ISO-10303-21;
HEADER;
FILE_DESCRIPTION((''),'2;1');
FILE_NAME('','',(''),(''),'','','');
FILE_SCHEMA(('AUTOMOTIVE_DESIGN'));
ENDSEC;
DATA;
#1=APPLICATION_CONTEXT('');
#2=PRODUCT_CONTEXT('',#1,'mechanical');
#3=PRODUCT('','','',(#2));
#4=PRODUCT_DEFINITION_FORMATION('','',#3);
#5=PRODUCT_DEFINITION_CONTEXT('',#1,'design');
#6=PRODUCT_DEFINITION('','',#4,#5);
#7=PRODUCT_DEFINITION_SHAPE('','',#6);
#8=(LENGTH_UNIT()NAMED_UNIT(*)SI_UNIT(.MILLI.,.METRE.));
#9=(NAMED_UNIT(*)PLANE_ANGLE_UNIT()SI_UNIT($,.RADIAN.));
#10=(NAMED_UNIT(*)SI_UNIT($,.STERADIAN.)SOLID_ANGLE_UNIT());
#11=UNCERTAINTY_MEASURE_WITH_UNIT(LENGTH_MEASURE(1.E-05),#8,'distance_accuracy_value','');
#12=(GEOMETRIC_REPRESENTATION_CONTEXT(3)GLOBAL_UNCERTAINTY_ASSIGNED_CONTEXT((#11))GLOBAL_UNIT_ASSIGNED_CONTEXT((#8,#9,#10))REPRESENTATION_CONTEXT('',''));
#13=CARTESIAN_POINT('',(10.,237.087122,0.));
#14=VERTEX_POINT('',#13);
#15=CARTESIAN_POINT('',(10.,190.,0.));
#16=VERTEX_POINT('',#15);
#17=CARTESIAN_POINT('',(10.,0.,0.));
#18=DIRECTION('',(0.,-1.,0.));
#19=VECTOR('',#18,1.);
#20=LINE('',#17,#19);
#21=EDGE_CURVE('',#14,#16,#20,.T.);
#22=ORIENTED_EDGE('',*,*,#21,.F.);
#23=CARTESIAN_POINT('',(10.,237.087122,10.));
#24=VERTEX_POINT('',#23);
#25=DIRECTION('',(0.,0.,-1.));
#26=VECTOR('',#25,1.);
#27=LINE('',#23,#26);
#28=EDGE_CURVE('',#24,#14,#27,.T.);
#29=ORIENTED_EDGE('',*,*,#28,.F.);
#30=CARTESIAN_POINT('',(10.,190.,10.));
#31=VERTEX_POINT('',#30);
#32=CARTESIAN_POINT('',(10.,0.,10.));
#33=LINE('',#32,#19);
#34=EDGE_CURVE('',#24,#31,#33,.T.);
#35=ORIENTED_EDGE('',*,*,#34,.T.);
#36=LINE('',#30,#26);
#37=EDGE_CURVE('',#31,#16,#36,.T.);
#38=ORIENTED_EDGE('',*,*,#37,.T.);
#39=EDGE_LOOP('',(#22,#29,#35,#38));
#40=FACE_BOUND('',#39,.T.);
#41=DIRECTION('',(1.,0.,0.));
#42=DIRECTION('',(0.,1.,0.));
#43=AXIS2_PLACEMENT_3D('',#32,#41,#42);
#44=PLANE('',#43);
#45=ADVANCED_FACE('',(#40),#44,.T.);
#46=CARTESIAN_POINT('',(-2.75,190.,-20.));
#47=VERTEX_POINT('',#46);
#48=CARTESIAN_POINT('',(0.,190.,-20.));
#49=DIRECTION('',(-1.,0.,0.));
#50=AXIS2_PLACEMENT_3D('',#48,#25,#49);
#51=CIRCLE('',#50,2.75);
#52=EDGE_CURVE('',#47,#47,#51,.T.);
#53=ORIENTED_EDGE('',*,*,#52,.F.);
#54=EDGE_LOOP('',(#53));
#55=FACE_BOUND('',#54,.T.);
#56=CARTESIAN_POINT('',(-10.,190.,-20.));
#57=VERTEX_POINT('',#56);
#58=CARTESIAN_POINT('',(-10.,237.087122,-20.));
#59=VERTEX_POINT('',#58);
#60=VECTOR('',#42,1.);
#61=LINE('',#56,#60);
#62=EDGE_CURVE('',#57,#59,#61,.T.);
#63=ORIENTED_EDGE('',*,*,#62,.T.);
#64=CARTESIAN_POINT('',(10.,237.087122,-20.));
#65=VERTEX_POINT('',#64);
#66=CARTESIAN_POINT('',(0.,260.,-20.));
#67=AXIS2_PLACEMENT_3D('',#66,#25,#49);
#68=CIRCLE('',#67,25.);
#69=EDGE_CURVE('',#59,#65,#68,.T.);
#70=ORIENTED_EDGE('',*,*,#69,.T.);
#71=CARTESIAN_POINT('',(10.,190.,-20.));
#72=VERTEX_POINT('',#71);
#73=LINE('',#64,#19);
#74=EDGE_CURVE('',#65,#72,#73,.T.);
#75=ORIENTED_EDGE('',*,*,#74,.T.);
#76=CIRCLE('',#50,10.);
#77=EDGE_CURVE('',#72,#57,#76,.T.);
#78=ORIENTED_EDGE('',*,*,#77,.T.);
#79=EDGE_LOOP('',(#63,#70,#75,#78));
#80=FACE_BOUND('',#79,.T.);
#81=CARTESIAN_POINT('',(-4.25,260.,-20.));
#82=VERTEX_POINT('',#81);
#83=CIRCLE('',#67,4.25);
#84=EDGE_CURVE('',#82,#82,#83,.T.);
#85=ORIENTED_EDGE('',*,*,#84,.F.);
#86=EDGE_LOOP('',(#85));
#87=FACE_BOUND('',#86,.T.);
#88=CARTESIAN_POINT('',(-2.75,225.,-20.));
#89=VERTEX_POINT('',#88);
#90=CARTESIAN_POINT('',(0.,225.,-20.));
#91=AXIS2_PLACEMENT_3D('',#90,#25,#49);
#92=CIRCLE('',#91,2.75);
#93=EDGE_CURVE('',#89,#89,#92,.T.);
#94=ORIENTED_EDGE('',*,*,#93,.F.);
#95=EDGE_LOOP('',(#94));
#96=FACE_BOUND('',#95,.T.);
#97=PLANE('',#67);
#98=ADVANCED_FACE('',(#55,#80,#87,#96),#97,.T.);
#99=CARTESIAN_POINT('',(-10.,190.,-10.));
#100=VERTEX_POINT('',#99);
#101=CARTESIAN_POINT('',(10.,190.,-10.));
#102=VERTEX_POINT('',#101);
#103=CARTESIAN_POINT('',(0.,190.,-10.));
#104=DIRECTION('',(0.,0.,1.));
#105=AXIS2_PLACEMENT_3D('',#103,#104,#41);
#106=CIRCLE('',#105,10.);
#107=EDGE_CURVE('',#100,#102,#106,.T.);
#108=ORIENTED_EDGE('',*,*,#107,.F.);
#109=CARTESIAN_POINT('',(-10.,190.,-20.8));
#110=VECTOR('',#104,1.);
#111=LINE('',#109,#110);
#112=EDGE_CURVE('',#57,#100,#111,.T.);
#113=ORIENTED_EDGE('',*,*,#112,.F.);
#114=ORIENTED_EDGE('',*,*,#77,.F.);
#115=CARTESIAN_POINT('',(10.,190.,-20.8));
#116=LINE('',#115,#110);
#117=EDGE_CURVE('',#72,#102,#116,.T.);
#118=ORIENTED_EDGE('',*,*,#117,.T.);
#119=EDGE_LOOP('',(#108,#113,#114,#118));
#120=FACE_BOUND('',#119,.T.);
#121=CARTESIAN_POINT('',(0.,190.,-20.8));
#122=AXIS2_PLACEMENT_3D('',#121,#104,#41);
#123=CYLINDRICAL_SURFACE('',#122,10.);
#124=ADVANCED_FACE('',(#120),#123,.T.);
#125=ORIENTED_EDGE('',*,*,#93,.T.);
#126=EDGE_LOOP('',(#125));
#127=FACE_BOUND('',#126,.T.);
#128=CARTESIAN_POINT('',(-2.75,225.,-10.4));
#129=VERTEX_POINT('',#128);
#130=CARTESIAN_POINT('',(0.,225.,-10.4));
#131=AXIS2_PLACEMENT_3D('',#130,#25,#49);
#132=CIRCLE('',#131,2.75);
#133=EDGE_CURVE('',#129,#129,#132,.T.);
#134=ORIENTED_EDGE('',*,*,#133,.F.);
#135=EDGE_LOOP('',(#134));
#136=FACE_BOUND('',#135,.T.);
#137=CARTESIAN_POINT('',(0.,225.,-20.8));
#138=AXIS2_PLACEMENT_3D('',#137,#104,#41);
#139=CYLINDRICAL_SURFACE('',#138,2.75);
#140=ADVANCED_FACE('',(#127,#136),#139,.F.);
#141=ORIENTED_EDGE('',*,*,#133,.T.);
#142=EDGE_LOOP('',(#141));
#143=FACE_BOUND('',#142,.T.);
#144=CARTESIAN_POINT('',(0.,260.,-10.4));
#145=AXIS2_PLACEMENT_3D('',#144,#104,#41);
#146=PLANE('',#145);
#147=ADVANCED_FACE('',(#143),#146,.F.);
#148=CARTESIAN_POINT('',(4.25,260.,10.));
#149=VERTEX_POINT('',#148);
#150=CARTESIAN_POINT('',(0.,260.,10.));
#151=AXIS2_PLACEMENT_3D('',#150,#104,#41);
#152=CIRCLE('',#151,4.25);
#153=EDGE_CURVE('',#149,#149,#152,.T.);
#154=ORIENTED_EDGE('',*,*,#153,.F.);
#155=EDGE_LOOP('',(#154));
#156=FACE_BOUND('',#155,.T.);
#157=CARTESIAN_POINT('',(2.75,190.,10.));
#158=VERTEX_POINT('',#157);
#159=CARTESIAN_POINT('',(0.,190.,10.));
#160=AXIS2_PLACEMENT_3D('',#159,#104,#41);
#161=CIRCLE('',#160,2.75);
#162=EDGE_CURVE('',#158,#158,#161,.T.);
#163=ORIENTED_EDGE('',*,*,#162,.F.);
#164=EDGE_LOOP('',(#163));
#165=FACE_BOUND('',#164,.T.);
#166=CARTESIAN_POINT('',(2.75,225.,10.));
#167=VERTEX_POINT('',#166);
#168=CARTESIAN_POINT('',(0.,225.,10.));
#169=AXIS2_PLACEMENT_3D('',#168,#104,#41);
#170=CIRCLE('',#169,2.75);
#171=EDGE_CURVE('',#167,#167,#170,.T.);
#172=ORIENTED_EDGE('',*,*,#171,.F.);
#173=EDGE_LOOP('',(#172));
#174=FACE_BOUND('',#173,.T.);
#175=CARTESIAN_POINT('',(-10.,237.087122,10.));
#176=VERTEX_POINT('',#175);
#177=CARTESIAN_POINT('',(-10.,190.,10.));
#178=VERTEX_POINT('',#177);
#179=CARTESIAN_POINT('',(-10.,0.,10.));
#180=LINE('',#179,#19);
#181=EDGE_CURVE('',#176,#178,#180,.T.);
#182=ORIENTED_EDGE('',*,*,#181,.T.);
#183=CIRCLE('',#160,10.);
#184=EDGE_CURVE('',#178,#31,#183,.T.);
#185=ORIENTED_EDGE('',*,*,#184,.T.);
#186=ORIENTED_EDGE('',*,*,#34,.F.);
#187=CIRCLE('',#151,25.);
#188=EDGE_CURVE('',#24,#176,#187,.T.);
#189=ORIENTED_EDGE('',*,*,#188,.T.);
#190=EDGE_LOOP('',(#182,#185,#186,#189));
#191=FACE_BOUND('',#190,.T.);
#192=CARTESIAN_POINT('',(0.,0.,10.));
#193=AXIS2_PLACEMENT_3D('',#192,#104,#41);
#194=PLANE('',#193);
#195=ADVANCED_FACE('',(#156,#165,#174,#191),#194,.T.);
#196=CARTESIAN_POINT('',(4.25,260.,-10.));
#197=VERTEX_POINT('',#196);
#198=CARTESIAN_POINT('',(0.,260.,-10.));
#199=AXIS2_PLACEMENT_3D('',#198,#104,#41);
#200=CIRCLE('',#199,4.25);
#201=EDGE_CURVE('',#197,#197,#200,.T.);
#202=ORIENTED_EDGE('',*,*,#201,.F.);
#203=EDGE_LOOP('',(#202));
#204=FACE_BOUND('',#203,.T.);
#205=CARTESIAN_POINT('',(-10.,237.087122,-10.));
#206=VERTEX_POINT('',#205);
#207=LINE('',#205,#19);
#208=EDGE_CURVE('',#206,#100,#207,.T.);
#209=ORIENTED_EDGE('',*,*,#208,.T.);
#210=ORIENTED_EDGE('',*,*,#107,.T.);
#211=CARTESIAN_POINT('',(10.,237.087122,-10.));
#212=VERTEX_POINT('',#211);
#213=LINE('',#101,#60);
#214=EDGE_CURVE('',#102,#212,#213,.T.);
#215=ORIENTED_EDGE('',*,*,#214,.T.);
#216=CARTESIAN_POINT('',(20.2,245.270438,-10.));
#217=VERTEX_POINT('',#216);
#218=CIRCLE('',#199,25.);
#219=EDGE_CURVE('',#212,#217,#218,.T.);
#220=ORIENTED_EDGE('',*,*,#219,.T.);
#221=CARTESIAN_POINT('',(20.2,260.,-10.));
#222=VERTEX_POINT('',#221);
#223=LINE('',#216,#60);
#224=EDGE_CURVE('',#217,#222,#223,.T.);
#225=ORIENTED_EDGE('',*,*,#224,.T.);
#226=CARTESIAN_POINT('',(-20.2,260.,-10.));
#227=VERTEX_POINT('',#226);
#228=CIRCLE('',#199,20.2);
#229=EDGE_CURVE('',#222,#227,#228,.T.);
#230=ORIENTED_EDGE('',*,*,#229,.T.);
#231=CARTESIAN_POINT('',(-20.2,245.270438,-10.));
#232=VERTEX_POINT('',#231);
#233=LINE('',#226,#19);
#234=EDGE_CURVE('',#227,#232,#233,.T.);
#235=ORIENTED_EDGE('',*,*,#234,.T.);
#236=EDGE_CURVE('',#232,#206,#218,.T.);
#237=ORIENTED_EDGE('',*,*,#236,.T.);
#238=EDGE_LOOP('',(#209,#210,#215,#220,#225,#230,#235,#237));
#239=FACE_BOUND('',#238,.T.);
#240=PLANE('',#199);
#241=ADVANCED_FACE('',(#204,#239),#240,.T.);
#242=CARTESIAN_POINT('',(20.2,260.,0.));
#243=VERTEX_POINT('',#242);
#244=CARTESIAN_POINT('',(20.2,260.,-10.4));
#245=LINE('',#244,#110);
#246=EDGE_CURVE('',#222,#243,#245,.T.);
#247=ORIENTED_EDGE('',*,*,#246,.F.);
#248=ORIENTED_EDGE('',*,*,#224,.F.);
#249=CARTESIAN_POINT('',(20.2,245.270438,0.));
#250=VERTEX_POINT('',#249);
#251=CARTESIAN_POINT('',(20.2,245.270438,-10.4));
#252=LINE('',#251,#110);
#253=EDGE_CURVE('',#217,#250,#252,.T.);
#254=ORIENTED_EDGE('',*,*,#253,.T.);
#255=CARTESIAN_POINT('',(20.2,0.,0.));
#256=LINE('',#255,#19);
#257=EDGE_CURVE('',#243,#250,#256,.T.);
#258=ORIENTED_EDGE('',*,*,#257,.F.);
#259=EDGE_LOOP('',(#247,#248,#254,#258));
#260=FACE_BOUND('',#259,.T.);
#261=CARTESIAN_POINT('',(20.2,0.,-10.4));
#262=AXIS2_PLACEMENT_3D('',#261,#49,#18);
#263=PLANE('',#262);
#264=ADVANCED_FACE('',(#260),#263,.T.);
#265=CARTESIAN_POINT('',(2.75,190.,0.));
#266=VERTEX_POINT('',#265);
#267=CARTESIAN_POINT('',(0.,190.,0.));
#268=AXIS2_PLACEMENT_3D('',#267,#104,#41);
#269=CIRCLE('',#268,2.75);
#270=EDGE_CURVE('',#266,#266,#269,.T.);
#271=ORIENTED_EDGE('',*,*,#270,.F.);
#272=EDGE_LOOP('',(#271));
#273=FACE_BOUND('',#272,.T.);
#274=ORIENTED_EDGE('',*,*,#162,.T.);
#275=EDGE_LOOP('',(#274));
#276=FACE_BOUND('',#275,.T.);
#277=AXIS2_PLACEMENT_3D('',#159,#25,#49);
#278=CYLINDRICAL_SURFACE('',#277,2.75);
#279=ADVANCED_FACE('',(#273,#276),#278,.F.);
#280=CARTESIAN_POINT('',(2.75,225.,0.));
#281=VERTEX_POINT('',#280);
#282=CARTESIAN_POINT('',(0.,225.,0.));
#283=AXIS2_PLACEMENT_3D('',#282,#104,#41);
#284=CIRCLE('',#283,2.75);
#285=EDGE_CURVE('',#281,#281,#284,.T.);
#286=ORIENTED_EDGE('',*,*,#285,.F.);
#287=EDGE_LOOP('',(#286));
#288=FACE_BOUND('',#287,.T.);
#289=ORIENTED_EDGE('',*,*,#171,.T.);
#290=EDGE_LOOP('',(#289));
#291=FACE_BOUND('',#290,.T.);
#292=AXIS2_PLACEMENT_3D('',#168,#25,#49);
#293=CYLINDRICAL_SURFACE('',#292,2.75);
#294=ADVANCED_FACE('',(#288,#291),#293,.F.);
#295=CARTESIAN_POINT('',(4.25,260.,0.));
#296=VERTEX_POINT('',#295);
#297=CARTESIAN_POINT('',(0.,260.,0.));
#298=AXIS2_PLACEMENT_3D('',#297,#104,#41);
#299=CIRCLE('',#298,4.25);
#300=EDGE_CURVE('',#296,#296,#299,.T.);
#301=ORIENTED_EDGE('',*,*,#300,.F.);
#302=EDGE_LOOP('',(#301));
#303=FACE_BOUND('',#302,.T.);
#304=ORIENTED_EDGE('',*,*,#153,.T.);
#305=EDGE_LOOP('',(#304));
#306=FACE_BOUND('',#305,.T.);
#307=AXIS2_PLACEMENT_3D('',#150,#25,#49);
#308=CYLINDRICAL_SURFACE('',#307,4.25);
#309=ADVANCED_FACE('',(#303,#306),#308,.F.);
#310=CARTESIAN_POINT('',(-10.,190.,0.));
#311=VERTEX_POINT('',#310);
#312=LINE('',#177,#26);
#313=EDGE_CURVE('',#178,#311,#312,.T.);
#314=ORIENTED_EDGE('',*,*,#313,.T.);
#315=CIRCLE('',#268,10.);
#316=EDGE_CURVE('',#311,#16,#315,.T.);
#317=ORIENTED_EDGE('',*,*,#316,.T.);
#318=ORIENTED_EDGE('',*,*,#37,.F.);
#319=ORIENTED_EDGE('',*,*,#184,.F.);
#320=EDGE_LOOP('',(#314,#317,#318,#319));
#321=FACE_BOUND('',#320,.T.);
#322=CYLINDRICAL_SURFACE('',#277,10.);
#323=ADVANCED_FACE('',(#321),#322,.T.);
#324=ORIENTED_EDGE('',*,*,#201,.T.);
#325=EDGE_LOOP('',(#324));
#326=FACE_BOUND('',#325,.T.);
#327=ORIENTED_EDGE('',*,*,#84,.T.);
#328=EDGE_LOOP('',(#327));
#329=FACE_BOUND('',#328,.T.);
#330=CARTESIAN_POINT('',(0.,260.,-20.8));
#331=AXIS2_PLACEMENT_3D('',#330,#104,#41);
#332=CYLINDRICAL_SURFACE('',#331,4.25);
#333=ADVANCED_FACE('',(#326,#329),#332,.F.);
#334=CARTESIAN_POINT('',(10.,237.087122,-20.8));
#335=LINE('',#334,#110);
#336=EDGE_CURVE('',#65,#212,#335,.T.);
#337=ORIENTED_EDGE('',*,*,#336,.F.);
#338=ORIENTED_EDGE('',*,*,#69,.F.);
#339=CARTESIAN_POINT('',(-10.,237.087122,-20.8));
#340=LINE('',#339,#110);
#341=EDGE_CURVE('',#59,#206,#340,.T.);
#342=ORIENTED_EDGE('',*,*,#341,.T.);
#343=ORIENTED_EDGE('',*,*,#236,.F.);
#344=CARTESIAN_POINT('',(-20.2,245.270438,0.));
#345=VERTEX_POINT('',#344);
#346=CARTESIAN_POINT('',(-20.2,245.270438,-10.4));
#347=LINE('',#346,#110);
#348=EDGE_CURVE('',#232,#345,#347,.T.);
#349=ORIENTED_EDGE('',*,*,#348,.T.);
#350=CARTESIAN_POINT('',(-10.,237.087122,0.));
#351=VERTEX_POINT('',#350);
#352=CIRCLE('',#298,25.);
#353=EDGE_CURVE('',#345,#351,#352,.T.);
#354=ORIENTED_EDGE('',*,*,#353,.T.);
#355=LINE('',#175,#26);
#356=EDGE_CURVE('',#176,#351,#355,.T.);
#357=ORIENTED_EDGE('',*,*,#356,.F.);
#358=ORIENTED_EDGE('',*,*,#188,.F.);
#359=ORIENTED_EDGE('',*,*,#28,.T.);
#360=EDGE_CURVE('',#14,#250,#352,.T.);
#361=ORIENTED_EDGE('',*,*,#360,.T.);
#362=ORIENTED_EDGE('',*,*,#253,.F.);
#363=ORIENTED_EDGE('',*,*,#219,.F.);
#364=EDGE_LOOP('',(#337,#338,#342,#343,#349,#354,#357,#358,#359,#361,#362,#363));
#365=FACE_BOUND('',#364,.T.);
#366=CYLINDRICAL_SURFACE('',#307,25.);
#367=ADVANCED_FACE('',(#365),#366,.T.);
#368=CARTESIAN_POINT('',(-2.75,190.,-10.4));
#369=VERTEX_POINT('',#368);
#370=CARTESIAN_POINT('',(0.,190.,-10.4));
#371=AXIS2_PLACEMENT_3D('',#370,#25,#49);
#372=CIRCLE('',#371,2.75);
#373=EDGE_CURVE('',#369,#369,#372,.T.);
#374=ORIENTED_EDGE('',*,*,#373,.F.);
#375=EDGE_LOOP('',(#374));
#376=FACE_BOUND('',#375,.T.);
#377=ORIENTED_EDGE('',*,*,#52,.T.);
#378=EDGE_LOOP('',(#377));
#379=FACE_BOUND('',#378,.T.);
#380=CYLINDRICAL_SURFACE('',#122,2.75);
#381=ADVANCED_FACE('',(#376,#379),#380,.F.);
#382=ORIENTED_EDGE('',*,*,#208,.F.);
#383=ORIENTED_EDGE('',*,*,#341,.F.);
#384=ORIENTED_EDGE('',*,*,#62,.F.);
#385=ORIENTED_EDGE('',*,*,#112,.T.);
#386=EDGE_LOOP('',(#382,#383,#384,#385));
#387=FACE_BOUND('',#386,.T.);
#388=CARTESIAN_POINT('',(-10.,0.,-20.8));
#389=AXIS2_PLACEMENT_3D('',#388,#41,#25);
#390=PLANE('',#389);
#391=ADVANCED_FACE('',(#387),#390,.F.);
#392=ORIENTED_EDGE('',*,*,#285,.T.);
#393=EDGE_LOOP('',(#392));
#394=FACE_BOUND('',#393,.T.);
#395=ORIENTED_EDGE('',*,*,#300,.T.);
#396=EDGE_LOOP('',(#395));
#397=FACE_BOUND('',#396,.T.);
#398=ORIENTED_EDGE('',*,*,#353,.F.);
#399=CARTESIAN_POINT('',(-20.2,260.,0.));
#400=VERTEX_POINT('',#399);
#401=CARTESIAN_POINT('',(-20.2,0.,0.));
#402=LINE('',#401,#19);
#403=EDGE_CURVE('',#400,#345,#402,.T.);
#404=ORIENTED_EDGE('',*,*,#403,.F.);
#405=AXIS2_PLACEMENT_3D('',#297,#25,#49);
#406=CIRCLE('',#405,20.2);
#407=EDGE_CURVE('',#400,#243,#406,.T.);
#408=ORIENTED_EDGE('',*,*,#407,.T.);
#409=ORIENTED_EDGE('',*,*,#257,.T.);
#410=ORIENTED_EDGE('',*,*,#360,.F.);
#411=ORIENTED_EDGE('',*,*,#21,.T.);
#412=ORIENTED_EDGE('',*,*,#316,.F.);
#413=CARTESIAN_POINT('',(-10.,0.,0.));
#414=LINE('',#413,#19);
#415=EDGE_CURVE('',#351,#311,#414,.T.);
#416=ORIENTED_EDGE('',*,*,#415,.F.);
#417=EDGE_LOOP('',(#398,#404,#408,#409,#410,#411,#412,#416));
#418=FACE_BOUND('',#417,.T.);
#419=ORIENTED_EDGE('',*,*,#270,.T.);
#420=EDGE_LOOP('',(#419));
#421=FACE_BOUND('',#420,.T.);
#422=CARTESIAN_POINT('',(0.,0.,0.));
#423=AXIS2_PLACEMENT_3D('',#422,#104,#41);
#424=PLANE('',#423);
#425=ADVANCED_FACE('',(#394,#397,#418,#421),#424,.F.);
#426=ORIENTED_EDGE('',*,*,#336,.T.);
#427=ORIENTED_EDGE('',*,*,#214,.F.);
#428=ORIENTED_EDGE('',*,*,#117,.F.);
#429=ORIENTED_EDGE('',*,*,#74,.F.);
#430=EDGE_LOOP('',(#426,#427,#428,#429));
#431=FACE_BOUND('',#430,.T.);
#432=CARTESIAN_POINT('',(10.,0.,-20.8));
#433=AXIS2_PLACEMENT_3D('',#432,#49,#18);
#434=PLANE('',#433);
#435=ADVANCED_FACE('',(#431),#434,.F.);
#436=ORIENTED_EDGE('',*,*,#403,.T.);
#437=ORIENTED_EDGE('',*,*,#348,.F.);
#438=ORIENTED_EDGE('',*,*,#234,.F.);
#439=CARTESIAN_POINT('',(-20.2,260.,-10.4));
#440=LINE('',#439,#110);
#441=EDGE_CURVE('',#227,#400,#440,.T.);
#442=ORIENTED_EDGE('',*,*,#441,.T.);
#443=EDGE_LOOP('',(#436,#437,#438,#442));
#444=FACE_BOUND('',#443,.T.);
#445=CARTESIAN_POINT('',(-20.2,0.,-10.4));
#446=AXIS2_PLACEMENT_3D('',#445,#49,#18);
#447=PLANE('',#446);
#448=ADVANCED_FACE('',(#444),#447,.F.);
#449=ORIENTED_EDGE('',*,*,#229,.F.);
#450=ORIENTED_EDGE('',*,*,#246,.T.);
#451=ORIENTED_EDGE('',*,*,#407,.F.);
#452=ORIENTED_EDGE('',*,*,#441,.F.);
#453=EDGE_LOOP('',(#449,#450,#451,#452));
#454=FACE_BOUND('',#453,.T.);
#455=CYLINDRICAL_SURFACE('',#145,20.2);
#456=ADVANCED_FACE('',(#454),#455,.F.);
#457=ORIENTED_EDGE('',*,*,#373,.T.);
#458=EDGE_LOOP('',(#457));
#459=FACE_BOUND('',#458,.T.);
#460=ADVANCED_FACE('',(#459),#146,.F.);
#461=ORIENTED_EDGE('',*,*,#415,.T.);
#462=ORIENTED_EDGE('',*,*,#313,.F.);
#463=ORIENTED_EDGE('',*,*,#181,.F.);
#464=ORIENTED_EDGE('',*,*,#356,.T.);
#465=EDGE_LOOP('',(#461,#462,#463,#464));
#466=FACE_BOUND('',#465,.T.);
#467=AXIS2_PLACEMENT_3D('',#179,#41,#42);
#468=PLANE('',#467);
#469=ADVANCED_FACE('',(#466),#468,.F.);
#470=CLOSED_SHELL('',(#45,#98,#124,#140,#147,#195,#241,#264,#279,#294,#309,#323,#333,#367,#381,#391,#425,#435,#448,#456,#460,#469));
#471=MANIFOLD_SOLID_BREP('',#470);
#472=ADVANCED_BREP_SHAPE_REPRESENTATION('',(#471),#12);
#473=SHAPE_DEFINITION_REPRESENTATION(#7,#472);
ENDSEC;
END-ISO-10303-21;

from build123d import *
from build123d.topology import SkipClean

# Parameters (mm, degrees)
SKETCH2_R           = 4.25
SKETCH2_R_2         = 2.75
BOSS_EXTRUDE1_DEPTH = 10
BOSS_EXTRUDE2_START = 10.4
BOSS_EXTRUDE2_DEPTH = 10.4
BOSS_EXTRUDE3_START = 10.4
SKETCH4_R           = 2.75
SKETCH4_R_2         = 4.25
BOSS_EXTRUDE3_DEPTH = 10.4
SKETCH5_R           = 4.25
BOSS_EXTRUDE4_DEPTH = 0.4
CUT_EXTRUDE2_DEPTH  = 0.4
CUT_EXTRUDE3_DEPTH  = 0.4


with BuildPart() as part:
    # Sketch2 → Boss-Extrude1 (new body)
    with BuildSketch(Plane.XY):
        with BuildLine():
            Line((-10, 237.087121525), (-10, 190))
            ThreePointArc((-10, 190), (0, 180), (10, 190))
            Line((10, 190), (10, 237.087121525))
            ThreePointArc((10, 237.087121525), (0, 285), (-10, 237.087121525))
        make_face()
        with Locations((0, 260)):
            Circle(SKETCH2_R, mode=Mode.SUBTRACT)
        with Locations((0, 225)):
            Circle(SKETCH2_R_2, mode=Mode.SUBTRACT)
        with Locations((0, 190)):
            Circle(SKETCH2_R_2, mode=Mode.SUBTRACT)
    extrude(amount=BOSS_EXTRUDE1_DEPTH)

    # Sketch3 → Boss-Extrude2 (add)
    with BuildSketch(Plane(origin=(0, 0, 0), x_dir=(-1, 0, 0), z_dir=(0, 0, -1)).offset(BOSS_EXTRUDE2_START)):
        with BuildLine():
            Line((-20.2, 245.270437888), (-20.2, 260))
            ThreePointArc((-20.2, 260), (0, 280.2), (20.2, 260))
            Line((20.2, 260), (20.2, 245.270437888))
            ThreePointArc((20.2, 245.270437888), (23.769728648, 252.254033308), (25, 260))
            ThreePointArc((25, 260), (-7.745966692, 283.769728648), (-20.2, 245.270437888))
        make_face()
    extrude(amount=-BOSS_EXTRUDE2_DEPTH)

    # Sketch4 → Boss-Extrude3 (add)
    with BuildSketch(Plane(origin=(0, 0, -10.4), x_dir=(-1, 0, 0), z_dir=(0, 0, -1)).offset(BOSS_EXTRUDE3_START)):
        with BuildLine():
            Line((-10, 237.087121525), (-10, 190))
            ThreePointArc((-10, 190), (0, 180), (10, 190))
            Line((10, 190), (10, 237.087121525))
            ThreePointArc((10, 237.087121525), (0, 285), (-10, 237.087121525))
        make_face()
        with Locations((0, 190)):
            Circle(SKETCH4_R, mode=Mode.SUBTRACT)
        with Locations((0, 225)):
            Circle(SKETCH4_R, mode=Mode.SUBTRACT)
        with Locations((0, 260)):
            Circle(SKETCH4_R_2, mode=Mode.SUBTRACT)
    extrude(amount=-BOSS_EXTRUDE3_DEPTH)

    # Sketch5 → Boss-Extrude4 (add)
    with SkipClean():  # the faces are left unmerged after this step: merging them gives an invalid solid
        with BuildSketch(Plane.XY.offset(-10.4)):
            with BuildLine():
                Line((-20.2, 260), (-20.2, 245.270437888))
                ThreePointArc((-20.2, 245.270437888), (-15.644541114, 240.500042735), (-10, 237.087121525))
                Line((-10, 237.087121525), (-10, 190))
                ThreePointArc((-10, 190), (0, 180), (10, 190))
                Line((10, 190), (10, 237.087121525))
                ThreePointArc((10, 237.087121525), (15.644541114, 240.500042735), (20.2, 245.270437888))
                Line((20.2, 245.270437888), (20.2, 260))
                ThreePointArc((20.2, 260), (0, 280.2), (-20.2, 260))
            make_face()
            with Locations((0, 260)):
                Circle(SKETCH5_R, mode=Mode.SUBTRACT)
        extrude(amount=BOSS_EXTRUDE4_DEPTH)
    add(part.part.scale(1), mode=Mode.REPLACE)  # the faces are merged on a copy

    # Sketch7 → Cut-Extrude2 (cut)
    with BuildSketch(Plane(origin=(0, 0, -20.8), x_dir=(-1, 0, 0), z_dir=(0, 0, -1))):
        with BuildLine():
            Line((-10, 237.087121525), (-10, 190))
            ThreePointArc((-10, 190), (0, 180), (10, 190))
            Line((10, 190), (10, 237.087121525))
            ThreePointArc((10, 237.087121525), (0, 285), (-10, 237.087121525))
        make_face()
    extrude(amount=-CUT_EXTRUDE2_DEPTH, mode=Mode.SUBTRACT)

    # Sketch8 → Cut-Extrude3 (cut)
    with BuildSketch(Plane(origin=(0, 0, -20.4), x_dir=(-1, 0, 0), z_dir=(0, 0, -1))):
        with BuildLine():
            Line((-10, 237.087121525), (-10, 190))
            ThreePointArc((-10, 190), (0, 180), (10, 190))
            Line((10, 190), (10, 237.087121525))
            ThreePointArc((10, 237.087121525), (0, 285), (-10, 237.087121525))
        make_face()
    extrude(amount=-CUT_EXTRUDE3_DEPTH, mode=Mode.SUBTRACT)


solid = part.part
